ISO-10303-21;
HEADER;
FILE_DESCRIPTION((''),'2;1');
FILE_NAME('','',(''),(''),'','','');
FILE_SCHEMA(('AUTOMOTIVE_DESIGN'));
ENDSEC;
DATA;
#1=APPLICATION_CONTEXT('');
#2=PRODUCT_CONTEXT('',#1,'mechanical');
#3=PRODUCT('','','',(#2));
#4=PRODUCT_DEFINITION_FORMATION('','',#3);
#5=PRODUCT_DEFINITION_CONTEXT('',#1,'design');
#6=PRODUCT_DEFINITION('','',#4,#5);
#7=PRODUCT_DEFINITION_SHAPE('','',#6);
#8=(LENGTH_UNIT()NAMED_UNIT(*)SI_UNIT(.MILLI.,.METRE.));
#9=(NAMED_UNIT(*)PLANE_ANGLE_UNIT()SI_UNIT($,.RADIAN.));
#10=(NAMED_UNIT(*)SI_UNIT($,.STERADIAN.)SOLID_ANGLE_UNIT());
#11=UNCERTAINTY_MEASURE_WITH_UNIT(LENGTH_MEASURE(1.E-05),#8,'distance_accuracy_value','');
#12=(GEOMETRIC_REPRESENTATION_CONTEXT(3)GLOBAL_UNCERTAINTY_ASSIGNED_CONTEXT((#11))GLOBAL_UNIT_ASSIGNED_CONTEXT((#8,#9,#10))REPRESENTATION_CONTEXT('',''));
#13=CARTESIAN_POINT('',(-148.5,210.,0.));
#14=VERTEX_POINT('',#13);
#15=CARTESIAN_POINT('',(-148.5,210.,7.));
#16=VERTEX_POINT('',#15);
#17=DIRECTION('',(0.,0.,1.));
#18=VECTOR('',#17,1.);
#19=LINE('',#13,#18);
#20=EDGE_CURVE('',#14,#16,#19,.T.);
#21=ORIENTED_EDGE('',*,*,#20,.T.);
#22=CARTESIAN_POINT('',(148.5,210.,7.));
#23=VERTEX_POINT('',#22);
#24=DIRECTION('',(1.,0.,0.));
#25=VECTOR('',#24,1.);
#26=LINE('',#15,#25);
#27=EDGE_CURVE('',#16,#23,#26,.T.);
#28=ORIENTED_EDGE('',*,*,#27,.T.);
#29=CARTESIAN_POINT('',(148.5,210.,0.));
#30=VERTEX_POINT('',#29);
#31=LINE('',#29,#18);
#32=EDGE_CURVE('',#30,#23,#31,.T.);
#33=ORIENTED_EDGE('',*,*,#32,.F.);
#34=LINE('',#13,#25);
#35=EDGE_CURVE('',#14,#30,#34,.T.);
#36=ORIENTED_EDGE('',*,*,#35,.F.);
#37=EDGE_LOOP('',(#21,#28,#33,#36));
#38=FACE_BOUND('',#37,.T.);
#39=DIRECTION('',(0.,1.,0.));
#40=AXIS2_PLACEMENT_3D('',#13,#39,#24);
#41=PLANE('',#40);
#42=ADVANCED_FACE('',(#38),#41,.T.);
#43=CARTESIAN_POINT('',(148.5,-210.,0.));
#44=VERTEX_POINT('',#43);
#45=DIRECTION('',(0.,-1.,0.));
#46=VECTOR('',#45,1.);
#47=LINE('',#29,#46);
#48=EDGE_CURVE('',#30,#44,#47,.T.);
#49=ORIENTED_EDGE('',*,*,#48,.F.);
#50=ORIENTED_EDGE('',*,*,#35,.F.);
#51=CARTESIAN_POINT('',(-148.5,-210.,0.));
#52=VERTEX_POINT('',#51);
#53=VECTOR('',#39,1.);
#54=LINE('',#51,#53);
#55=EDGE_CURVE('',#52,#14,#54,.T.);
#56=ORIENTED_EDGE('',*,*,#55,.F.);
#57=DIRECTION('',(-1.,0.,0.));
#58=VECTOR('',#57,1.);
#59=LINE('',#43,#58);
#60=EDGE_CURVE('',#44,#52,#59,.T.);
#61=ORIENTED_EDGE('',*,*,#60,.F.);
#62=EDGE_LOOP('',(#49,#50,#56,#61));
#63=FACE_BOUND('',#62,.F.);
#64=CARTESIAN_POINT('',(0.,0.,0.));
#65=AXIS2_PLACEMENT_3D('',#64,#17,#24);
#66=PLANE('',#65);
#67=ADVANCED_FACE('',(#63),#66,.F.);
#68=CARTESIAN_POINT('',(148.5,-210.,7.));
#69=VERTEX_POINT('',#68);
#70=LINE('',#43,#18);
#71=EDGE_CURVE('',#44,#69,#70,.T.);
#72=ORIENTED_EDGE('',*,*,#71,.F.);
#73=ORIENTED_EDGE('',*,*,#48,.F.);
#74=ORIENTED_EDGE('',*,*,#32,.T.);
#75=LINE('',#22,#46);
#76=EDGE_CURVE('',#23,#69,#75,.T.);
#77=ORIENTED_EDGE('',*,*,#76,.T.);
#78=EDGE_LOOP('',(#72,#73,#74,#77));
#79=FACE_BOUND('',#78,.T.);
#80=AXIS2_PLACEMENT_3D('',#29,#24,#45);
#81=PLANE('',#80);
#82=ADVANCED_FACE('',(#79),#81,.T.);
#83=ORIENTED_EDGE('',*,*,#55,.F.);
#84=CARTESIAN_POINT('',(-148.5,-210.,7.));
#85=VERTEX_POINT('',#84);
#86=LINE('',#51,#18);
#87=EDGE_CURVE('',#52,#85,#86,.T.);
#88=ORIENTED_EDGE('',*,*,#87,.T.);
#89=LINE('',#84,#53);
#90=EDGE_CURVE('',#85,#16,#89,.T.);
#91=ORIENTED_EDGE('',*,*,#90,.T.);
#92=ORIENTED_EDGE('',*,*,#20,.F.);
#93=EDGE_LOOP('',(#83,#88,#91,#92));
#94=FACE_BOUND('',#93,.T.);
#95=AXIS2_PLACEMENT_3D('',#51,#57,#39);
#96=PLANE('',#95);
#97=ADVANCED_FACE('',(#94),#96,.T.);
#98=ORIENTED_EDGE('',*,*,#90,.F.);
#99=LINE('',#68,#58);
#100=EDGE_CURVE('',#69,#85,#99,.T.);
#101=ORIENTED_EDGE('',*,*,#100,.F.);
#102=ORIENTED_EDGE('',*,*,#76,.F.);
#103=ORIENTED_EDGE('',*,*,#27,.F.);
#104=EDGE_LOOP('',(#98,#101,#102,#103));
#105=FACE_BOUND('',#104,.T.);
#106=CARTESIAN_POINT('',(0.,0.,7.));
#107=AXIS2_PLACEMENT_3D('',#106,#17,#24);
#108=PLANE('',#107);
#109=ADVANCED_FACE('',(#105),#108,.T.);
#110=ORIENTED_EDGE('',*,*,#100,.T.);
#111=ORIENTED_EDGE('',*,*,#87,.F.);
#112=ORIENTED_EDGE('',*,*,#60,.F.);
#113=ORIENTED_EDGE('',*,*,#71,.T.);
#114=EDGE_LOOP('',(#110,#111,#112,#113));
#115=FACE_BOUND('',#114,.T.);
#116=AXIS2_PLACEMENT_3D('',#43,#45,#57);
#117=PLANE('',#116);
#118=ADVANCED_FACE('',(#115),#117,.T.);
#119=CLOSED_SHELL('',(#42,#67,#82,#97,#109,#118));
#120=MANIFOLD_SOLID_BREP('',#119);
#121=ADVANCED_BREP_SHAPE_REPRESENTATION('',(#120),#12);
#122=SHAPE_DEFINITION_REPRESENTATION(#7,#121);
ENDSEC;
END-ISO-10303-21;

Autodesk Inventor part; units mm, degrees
ref_plane "YZ Plane" through (0, 0, 0) normal (1, 0, 0) x (0, 1, 0)
ref_plane "XZ Plane" through (0, 0, 0) normal (0, 1, 0) x (-1, 0, 0)
ref_plane "XY Plane" through (0, 0, 0) normal (0, 0, 1) x (1, 0, 0)
sketch "Sketch1" plane through (0, 0, 0) normal (0, 0, 1) x (1, 0, 0)
  line L0 (-148.5, 210) -> (148.5, 210)
  line L1 (148.5, 210) -> (148.5, -210)
  line L2 (148.5, -210) -> (-148.5, -210)
  line L3 (-148.5, -210) -> (-148.5, 210)
  point P0 (0, 0)
  dimension "d0" = 297
  dimension "d1" = 420
  dimension "d2" = 148.5
  dimension "d3" = 210
extrude "Extrusion1" add sketch "Sketch1" along normal blind 7
equation "\"d2\" = 0.5 * d0"
equation "\"d3\" = 0.5 * d1"
